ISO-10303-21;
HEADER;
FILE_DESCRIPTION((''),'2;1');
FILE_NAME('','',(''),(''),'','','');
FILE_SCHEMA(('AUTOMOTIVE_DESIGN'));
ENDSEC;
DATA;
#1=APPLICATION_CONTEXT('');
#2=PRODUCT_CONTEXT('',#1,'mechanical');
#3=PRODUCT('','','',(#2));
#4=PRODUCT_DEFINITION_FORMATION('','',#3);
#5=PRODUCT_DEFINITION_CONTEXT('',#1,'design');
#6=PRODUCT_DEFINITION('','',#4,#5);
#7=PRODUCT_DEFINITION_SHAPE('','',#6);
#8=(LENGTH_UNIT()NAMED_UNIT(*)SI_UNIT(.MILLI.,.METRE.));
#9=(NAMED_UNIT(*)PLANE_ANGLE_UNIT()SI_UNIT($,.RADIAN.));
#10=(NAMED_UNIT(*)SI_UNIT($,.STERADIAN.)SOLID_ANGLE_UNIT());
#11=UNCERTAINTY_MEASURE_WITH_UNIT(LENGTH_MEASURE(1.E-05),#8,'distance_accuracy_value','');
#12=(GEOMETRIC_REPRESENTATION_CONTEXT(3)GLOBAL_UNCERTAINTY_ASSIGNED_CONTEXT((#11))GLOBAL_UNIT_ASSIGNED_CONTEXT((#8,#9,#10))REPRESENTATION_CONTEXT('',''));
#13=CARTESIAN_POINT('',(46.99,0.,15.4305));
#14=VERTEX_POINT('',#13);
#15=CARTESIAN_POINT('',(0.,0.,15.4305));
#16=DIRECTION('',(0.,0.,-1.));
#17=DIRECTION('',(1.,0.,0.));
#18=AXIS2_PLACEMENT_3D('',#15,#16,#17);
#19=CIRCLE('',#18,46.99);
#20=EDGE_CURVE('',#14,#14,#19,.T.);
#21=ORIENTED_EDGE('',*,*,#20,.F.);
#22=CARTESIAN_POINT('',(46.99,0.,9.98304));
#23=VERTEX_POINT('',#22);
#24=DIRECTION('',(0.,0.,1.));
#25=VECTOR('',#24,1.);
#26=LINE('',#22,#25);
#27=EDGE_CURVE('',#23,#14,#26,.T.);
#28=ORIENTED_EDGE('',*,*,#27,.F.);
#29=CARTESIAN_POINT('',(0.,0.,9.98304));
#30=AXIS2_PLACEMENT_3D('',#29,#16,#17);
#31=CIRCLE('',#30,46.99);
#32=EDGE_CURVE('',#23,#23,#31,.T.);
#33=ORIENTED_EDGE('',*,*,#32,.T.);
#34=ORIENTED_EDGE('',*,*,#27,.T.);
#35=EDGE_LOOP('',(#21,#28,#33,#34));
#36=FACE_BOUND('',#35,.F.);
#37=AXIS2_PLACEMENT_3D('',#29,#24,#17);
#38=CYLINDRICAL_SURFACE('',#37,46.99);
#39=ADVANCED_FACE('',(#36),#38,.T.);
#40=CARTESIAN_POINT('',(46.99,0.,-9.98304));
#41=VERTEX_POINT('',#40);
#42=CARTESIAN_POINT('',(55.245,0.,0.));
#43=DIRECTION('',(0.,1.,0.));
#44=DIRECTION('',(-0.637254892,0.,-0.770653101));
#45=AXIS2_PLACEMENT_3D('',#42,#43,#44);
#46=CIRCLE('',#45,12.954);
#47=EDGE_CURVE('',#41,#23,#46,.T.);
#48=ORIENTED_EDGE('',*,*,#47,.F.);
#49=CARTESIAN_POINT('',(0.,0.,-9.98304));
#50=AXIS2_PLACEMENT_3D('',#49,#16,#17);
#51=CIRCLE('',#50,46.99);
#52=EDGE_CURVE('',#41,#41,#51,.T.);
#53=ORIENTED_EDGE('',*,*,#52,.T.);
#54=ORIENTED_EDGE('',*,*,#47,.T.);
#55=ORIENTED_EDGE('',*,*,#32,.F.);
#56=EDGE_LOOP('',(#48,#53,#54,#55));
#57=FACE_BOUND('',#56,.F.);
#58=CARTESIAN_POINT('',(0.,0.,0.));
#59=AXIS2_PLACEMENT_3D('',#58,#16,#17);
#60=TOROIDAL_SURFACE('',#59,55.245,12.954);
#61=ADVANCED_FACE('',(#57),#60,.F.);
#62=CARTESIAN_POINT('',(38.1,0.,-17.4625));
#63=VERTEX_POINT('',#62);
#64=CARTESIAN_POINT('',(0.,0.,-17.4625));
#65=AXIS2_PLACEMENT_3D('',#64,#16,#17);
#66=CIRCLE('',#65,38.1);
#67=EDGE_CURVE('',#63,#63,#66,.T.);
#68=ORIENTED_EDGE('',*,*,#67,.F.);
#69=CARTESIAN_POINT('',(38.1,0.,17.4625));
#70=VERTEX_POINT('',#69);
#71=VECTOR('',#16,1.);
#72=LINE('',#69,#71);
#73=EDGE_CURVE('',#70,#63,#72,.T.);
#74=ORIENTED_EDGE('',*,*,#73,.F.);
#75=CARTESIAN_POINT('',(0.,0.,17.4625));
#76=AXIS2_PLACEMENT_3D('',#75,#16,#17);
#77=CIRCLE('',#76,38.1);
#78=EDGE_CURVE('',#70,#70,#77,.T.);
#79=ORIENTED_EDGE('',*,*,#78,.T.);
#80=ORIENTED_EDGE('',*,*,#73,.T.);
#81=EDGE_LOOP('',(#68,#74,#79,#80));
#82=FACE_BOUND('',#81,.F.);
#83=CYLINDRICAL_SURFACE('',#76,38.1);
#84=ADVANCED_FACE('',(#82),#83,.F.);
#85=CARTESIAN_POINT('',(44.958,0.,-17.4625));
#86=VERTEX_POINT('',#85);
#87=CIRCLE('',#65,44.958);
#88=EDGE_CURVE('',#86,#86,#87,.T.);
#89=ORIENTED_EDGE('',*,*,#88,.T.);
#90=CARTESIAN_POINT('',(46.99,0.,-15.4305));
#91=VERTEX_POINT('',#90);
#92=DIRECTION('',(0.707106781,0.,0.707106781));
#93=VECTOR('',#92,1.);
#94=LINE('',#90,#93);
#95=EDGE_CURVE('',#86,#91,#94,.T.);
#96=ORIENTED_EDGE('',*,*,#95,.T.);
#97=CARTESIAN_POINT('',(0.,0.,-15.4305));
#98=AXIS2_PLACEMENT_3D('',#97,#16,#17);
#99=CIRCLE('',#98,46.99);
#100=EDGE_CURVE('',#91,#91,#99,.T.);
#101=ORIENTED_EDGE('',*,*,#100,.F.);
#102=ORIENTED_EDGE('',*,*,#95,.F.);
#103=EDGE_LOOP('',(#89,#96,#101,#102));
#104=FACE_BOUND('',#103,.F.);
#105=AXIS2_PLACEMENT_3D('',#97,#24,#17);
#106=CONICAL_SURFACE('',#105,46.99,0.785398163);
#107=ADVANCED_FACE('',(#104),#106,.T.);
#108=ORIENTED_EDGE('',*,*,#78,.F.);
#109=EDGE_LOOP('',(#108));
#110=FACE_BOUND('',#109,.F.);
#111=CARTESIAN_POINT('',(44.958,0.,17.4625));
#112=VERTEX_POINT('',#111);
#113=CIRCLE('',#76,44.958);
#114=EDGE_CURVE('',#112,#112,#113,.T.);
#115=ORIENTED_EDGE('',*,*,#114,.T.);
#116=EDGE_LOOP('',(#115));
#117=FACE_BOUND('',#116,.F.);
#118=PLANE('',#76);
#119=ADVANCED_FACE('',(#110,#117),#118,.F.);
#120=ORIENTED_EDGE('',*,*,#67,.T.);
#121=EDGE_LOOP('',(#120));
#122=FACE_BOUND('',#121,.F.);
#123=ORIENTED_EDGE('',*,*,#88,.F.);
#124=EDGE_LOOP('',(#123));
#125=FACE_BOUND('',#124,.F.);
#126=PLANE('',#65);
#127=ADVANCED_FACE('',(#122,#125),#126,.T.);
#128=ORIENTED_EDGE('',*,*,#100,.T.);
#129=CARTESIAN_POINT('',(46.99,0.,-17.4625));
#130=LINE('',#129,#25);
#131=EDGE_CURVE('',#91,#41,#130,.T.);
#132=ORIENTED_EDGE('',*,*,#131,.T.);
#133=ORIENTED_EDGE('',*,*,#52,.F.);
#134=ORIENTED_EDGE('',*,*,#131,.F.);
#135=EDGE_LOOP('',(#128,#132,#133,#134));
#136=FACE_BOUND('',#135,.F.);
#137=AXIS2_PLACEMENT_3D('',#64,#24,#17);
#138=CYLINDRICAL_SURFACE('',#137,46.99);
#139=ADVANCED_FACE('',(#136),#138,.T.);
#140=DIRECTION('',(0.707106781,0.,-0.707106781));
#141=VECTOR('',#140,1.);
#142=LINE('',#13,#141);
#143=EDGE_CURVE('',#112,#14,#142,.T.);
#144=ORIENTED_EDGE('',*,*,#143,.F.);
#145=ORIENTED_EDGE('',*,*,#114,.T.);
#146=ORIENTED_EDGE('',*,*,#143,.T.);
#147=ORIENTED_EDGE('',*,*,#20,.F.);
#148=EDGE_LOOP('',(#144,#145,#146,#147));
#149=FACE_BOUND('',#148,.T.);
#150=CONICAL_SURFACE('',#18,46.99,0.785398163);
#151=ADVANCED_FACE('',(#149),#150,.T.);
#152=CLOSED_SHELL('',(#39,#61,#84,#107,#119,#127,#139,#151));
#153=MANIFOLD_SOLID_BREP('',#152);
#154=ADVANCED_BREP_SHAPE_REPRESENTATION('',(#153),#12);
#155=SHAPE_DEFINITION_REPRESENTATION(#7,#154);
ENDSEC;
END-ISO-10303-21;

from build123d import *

# Parameters (mm, degrees)
F3_SIZE = 2.032


with BuildPart() as f2:
    # F0 (on Front) → F2 (revolve)
    with BuildSketch(Plane.XZ):
        with BuildLine():
            Line((46.99, 17.4625), (38.1, 17.4625))
            Line((38.1, 17.4625), (38.1, -17.4625))
            Line((38.1, -17.4625), (46.99, -17.4625))
            Line((46.99, -17.4625), (46.99, -9.98304))
            ThreePointArc((46.99, -9.98304), (42.291, 0), (46.99, 9.98304))
            Line((46.99, 9.98304), (46.99, 17.4625))
        make_face()
    revolve(axis=Axis((0, 0, 0.613732), (0, 0, -1)))

    # F3
    f3_edges = [f2.edges().sort_by_distance(p)[0] for p in [
        (-46.99, 0, 17.4625),
        (-46.99, 0, -17.4625),
    ]]
    chamfer(f3_edges, length=F3_SIZE)


solid = f2.part
